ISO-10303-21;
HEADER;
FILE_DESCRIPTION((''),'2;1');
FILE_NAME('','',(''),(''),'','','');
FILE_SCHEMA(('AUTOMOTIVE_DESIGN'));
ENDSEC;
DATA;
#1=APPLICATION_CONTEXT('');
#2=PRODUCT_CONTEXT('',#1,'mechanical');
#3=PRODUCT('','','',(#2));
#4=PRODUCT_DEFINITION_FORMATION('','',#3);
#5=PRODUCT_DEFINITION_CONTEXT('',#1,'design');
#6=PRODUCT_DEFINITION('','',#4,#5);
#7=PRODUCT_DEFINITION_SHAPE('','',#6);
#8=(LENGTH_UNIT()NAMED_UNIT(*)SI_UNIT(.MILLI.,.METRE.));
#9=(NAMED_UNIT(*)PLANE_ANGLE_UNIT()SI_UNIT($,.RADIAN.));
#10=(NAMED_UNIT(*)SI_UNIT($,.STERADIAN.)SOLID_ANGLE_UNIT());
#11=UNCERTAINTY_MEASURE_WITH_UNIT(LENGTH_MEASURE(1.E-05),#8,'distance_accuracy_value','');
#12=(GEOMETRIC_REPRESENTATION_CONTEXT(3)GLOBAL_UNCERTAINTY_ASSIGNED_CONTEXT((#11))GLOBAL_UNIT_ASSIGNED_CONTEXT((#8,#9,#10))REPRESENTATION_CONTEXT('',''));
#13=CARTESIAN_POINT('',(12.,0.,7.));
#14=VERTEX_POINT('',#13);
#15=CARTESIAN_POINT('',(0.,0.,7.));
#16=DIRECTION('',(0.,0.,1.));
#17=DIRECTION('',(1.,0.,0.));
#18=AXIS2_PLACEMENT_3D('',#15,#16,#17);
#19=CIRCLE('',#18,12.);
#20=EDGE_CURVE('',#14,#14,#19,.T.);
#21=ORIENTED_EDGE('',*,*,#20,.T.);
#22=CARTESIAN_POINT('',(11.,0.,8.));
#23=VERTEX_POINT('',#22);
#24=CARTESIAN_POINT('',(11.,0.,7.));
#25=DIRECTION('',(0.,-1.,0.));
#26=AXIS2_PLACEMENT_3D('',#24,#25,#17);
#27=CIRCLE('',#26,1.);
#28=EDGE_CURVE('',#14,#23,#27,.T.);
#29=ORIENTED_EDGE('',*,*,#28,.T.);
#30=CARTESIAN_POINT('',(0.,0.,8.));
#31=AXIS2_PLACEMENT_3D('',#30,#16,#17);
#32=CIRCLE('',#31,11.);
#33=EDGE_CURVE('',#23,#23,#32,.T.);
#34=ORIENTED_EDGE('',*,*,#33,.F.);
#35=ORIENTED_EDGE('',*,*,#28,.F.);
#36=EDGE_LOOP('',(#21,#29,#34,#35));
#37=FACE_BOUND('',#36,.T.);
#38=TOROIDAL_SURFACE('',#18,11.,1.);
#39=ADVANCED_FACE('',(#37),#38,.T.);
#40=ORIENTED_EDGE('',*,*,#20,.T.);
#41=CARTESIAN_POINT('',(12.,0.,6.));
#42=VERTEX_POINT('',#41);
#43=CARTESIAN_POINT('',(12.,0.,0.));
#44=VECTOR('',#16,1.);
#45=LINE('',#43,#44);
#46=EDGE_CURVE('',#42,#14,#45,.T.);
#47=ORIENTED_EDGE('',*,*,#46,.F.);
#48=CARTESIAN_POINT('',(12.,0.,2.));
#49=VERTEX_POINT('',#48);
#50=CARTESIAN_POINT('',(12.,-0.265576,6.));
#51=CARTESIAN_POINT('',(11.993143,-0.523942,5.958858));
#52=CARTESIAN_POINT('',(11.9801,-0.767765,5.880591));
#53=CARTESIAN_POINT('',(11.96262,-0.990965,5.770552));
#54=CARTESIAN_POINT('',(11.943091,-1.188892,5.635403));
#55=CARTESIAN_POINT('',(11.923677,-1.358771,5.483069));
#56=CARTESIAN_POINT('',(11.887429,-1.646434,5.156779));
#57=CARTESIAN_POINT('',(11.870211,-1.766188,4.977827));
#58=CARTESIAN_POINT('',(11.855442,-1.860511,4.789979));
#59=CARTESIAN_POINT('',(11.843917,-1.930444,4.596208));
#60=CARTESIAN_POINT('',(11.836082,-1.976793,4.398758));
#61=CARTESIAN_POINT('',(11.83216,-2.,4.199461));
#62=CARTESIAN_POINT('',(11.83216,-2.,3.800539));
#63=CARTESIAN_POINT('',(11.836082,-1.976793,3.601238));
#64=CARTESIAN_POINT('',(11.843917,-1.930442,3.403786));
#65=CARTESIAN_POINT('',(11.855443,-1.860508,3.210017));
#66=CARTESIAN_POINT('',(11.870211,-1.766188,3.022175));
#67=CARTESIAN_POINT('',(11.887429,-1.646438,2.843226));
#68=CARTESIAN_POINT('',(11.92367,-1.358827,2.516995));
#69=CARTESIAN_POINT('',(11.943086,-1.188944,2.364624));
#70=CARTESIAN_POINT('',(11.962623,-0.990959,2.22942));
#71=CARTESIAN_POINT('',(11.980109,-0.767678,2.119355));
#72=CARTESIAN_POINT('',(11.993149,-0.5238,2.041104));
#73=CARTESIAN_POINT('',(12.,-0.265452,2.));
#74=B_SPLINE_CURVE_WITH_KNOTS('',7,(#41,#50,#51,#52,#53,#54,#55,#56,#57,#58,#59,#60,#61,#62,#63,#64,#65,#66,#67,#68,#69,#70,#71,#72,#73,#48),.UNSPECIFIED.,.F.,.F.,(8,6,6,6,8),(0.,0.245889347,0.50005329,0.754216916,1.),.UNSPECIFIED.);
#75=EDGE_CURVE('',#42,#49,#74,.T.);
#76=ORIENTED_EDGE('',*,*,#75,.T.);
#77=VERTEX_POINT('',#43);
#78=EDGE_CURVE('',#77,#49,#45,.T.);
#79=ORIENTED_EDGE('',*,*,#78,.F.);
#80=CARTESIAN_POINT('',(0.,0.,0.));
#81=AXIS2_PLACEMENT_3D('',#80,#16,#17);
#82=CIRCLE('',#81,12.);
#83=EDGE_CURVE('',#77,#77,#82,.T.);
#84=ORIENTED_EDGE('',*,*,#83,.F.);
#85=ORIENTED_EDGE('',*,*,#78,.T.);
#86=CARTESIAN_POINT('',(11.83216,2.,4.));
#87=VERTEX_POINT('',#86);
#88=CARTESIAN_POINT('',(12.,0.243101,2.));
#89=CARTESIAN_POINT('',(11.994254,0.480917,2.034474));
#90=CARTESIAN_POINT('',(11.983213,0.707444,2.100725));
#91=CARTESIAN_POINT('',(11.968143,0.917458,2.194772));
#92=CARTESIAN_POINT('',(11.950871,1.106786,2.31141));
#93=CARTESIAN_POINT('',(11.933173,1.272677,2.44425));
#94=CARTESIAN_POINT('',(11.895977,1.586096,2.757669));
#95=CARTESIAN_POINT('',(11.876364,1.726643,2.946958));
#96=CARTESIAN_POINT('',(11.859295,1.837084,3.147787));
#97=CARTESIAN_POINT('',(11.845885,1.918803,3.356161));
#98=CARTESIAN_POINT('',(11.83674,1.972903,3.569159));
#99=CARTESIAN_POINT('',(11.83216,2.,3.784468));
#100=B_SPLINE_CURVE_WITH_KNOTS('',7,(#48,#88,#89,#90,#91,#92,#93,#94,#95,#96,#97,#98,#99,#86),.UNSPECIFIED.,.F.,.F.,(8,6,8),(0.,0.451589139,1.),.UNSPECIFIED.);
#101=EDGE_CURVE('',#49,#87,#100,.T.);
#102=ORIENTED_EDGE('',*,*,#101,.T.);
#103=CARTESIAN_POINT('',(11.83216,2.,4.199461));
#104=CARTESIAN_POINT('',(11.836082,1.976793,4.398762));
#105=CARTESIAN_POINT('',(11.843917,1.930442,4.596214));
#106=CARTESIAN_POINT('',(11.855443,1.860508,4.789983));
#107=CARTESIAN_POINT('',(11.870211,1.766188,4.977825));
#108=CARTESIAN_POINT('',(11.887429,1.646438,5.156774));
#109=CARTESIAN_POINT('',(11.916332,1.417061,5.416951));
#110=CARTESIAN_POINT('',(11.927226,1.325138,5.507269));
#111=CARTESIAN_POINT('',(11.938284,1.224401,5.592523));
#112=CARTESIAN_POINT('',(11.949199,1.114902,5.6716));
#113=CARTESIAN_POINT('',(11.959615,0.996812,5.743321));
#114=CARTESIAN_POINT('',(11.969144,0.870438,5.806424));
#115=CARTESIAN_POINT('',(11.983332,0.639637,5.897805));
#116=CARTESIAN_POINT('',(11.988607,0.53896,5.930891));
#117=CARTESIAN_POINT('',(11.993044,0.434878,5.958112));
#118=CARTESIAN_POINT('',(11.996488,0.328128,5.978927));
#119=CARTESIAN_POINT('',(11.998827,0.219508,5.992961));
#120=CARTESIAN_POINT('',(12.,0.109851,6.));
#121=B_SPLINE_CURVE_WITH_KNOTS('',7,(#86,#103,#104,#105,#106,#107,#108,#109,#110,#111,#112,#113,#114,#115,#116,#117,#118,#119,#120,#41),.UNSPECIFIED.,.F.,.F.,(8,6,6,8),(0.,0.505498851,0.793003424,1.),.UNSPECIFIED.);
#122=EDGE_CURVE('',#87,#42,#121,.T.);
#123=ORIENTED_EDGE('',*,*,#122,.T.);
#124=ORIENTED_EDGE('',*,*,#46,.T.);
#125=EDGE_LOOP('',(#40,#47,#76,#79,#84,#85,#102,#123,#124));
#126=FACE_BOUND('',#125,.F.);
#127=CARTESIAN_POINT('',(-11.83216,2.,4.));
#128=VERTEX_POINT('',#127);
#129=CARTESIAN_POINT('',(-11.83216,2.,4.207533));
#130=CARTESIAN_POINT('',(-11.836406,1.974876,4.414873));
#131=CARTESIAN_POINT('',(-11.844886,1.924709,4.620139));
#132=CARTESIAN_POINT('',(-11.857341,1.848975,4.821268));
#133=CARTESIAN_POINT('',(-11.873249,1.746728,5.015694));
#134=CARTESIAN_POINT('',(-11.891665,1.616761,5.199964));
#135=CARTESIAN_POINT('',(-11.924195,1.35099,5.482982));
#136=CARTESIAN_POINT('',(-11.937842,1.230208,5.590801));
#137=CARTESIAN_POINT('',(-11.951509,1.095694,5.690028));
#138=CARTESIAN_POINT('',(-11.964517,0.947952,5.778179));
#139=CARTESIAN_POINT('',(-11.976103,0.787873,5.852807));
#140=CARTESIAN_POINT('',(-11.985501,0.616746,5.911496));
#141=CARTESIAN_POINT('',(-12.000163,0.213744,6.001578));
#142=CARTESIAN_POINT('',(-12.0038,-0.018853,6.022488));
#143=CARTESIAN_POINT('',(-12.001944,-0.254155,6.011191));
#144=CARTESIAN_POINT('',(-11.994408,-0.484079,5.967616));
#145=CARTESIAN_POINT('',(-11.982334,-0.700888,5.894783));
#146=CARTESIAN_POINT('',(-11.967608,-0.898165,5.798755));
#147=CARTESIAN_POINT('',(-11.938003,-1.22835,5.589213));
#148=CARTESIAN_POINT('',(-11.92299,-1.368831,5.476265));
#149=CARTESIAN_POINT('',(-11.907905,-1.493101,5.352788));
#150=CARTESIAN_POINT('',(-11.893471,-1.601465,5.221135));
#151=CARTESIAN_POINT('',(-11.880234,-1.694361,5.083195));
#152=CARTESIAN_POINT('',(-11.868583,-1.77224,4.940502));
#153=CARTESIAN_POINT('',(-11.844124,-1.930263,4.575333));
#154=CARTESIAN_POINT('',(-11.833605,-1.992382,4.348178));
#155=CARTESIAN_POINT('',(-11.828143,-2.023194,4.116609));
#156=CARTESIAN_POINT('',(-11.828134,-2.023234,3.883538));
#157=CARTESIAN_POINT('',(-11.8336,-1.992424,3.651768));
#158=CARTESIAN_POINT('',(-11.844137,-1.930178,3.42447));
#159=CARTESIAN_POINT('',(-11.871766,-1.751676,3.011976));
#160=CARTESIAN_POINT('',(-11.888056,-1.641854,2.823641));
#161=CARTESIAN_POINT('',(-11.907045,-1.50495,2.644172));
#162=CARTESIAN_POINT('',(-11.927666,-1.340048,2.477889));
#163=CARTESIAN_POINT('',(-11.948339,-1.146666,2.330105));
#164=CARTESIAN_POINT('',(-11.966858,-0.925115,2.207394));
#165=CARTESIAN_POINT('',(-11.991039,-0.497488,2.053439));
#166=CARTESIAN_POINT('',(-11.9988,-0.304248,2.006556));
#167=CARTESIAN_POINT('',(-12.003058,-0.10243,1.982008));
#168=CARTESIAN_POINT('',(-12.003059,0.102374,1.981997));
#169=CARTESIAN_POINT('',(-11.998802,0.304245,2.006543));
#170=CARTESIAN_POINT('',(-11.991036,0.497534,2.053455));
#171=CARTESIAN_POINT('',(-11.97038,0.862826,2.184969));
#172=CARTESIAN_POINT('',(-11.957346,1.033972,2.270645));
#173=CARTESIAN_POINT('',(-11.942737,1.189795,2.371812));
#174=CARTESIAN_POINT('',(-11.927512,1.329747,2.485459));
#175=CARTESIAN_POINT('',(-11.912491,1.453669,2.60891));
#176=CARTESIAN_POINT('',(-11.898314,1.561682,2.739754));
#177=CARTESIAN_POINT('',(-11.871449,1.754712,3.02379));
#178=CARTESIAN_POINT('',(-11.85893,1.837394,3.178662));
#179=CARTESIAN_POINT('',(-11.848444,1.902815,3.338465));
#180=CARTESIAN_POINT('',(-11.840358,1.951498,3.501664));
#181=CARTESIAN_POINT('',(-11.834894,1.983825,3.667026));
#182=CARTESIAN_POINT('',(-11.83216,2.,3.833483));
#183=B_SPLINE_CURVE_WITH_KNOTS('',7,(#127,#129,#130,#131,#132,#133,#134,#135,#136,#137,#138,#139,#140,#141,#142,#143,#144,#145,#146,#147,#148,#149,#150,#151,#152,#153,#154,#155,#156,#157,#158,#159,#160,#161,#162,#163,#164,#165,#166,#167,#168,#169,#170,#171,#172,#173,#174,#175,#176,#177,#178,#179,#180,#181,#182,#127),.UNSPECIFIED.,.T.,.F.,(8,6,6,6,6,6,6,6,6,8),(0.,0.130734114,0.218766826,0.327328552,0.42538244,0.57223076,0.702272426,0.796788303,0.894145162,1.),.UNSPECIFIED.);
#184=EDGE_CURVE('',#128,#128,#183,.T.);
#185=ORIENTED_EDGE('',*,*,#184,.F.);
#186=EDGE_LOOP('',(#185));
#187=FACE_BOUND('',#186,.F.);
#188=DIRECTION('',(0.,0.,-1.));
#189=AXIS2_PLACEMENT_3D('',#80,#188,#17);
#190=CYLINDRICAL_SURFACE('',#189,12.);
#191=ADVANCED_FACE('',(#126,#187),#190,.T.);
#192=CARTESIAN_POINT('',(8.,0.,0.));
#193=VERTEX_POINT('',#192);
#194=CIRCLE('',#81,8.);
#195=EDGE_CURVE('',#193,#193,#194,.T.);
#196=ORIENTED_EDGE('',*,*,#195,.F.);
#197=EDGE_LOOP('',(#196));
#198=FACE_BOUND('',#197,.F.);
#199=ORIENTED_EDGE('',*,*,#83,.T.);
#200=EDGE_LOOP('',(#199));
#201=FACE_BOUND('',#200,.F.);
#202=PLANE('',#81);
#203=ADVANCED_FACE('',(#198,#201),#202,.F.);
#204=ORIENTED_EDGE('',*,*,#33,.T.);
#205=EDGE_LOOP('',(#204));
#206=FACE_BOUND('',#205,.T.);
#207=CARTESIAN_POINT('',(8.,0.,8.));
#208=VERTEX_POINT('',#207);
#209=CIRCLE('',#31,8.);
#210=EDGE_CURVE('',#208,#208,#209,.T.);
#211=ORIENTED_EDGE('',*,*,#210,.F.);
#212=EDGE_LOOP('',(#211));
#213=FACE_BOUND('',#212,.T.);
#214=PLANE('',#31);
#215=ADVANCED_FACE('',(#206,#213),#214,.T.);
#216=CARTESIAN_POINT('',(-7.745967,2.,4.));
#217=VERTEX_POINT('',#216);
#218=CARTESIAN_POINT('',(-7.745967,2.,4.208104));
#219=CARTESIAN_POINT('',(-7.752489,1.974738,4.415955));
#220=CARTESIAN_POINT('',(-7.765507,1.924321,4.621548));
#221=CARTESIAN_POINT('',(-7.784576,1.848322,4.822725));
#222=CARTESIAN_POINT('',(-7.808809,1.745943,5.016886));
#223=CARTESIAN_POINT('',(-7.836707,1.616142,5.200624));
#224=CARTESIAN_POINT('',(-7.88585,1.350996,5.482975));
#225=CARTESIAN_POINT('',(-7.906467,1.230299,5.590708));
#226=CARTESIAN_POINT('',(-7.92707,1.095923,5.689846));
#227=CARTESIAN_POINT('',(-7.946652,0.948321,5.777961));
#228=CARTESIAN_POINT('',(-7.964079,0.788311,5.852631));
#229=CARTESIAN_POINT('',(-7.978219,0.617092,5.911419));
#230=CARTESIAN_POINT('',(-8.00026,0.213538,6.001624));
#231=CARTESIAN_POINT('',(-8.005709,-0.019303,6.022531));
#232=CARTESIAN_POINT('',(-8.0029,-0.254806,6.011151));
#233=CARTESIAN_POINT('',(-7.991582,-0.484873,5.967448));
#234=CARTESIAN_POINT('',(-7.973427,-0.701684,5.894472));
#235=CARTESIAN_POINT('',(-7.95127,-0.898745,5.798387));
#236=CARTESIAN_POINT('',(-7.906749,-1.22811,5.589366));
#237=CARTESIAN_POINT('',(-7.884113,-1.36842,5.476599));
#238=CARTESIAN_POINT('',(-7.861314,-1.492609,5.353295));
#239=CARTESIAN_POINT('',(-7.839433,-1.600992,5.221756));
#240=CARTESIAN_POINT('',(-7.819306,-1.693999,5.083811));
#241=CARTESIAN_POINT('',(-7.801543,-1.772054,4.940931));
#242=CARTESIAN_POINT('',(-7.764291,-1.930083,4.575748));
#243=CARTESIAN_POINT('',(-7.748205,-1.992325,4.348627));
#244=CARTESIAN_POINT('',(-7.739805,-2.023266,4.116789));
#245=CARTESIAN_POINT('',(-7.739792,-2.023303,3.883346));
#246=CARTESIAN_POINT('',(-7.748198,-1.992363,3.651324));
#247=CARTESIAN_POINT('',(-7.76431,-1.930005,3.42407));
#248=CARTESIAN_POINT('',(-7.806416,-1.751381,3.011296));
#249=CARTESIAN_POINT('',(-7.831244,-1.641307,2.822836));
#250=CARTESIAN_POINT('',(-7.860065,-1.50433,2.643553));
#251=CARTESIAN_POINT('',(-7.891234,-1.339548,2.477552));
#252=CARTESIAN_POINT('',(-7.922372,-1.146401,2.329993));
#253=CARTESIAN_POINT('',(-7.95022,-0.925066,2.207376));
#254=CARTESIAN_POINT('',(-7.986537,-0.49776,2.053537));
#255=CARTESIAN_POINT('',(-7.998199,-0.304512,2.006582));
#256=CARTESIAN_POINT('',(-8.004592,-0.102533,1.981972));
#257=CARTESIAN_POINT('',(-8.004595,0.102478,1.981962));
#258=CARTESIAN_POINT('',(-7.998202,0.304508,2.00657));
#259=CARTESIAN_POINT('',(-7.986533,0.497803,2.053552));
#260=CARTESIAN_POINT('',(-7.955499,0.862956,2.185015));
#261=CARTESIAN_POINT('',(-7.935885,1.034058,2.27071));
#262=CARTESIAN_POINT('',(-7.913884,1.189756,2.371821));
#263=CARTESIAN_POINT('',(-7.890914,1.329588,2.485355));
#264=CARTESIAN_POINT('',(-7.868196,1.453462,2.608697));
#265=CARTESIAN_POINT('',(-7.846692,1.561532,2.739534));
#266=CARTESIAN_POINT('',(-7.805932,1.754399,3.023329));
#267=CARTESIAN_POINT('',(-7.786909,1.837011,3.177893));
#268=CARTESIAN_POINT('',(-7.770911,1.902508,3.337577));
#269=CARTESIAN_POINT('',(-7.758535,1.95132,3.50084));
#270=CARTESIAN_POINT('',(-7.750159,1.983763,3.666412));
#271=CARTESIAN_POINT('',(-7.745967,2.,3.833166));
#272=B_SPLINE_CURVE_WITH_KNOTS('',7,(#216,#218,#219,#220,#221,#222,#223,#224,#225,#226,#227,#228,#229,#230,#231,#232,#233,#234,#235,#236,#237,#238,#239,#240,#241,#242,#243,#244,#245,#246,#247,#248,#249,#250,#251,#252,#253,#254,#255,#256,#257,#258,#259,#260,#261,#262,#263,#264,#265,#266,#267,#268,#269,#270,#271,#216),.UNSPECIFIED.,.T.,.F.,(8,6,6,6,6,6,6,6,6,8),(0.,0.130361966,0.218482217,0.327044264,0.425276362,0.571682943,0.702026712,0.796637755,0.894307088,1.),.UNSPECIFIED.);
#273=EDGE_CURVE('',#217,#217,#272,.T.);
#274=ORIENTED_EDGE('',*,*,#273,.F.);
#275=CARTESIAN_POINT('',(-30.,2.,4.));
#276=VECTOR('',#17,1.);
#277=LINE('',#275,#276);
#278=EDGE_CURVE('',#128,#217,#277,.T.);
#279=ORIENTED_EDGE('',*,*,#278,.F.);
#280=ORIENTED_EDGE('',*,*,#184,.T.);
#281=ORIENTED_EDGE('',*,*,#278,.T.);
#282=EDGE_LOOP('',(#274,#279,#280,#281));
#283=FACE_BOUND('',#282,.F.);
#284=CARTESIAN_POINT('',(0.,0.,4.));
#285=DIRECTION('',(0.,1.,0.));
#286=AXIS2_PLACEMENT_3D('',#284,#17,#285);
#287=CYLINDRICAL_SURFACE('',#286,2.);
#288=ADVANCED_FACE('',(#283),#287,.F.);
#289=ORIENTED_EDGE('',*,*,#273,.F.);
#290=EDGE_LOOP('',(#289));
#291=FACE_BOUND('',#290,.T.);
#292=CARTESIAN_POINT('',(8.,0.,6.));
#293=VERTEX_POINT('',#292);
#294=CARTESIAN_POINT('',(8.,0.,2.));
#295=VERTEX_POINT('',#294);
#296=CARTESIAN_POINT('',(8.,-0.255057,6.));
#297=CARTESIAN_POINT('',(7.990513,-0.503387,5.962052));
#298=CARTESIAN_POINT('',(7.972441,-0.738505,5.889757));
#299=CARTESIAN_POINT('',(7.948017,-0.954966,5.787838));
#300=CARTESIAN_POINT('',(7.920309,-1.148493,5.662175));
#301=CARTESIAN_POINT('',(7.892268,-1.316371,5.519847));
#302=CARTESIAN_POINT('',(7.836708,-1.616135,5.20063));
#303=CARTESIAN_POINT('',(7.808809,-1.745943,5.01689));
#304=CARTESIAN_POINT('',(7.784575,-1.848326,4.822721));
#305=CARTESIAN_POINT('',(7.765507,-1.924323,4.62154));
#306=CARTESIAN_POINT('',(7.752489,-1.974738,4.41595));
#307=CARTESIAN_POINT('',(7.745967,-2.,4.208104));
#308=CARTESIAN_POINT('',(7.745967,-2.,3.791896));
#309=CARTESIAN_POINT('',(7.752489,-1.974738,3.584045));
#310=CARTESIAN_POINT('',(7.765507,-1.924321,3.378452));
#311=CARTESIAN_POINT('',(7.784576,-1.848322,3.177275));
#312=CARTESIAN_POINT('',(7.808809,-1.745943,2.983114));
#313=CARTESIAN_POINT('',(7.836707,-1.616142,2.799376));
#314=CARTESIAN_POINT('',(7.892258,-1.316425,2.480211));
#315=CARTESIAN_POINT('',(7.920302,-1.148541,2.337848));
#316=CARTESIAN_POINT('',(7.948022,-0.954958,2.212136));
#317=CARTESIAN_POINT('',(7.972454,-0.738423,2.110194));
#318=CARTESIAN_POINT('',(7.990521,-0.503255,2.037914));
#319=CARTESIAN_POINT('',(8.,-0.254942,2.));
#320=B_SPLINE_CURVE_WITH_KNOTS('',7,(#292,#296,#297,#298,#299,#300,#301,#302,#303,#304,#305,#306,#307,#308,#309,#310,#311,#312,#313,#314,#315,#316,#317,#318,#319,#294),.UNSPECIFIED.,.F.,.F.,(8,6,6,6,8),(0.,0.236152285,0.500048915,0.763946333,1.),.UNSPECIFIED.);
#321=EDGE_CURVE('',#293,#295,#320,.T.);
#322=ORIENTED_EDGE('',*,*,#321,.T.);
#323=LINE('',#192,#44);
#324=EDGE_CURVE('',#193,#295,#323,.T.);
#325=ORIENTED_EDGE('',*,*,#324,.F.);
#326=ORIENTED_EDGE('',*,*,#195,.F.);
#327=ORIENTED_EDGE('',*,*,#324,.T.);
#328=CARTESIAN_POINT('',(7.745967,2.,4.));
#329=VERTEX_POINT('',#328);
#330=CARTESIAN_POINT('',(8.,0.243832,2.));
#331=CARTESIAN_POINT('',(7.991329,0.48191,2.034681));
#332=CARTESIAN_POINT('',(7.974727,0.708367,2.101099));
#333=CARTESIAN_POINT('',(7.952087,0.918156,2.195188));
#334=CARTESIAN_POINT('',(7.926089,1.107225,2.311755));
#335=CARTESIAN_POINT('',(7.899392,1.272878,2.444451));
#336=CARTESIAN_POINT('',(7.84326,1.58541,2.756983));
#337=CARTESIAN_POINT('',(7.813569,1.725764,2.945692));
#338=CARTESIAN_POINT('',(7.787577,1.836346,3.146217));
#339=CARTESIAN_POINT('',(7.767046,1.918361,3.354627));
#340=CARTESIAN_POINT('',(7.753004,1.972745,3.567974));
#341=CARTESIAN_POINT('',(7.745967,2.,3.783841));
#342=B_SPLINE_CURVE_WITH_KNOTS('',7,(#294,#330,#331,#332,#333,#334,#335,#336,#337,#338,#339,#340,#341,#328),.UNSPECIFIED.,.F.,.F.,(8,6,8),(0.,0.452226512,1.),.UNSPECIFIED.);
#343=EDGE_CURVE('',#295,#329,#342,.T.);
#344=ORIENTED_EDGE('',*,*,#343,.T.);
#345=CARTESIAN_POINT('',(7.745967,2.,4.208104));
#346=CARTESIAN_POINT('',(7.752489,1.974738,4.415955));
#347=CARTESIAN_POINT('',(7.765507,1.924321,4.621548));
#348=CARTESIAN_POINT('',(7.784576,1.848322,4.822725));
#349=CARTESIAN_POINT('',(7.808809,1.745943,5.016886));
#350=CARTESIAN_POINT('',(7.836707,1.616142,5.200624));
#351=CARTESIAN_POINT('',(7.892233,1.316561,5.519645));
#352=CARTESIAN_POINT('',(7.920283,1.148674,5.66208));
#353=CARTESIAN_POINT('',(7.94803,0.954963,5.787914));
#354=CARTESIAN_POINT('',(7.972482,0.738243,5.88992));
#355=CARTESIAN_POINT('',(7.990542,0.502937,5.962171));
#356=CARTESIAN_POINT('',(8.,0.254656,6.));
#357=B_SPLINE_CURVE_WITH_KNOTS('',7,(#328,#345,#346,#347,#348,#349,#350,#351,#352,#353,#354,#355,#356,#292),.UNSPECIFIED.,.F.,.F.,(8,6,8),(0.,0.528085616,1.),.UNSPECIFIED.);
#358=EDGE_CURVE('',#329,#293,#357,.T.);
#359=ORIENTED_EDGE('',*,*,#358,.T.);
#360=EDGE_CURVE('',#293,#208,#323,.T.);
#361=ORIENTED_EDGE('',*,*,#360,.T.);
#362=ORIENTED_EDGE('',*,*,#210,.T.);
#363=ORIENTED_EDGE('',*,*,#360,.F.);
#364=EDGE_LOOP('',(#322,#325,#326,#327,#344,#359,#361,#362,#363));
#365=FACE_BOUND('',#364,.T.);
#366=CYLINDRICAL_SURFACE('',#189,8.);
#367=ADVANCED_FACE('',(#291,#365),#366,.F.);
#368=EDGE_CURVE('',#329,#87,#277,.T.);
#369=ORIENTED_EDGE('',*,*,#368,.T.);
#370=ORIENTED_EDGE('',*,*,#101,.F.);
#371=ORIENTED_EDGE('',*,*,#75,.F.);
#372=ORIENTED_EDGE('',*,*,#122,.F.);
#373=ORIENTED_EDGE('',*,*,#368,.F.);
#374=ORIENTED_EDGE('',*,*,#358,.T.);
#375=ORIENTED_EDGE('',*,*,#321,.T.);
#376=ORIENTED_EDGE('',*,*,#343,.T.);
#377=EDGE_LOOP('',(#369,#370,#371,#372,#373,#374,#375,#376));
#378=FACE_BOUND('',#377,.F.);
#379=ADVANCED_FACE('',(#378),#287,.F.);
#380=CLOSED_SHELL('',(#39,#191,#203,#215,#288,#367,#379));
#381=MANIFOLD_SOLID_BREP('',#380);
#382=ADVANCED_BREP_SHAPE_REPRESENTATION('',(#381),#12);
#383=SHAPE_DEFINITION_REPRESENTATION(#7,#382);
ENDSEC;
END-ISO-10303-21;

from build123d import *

# Parameters (mm, degrees)
F0_R     = 12
F0_R_2   = 8
F1_DEPTH = 8
F2_R     = 1
F3_R     = 2
F4_DEPTH = 30


with BuildPart() as f1:
    # F0 (on Top) → F1 (new body)
    with BuildSketch(Plane.XY):
        Circle(F0_R)
        Circle(F0_R_2, mode=Mode.SUBTRACT)
    extrude(amount=F1_DEPTH)

    # F2
    f2_edges = [f1.edges().sort_by_distance(p)[0] for p in [
        (-12, 0, 8),
    ]]
    fillet(f2_edges, radius=F2_R)

    # F3 (on Right) → F4 (cut, symmetric)
    with BuildSketch(Plane.YZ):
        with Locations((0, 4)):
            Circle(F3_R)
    extrude(amount=F4_DEPTH, both=True, mode=Mode.SUBTRACT)


solid = f1.part
